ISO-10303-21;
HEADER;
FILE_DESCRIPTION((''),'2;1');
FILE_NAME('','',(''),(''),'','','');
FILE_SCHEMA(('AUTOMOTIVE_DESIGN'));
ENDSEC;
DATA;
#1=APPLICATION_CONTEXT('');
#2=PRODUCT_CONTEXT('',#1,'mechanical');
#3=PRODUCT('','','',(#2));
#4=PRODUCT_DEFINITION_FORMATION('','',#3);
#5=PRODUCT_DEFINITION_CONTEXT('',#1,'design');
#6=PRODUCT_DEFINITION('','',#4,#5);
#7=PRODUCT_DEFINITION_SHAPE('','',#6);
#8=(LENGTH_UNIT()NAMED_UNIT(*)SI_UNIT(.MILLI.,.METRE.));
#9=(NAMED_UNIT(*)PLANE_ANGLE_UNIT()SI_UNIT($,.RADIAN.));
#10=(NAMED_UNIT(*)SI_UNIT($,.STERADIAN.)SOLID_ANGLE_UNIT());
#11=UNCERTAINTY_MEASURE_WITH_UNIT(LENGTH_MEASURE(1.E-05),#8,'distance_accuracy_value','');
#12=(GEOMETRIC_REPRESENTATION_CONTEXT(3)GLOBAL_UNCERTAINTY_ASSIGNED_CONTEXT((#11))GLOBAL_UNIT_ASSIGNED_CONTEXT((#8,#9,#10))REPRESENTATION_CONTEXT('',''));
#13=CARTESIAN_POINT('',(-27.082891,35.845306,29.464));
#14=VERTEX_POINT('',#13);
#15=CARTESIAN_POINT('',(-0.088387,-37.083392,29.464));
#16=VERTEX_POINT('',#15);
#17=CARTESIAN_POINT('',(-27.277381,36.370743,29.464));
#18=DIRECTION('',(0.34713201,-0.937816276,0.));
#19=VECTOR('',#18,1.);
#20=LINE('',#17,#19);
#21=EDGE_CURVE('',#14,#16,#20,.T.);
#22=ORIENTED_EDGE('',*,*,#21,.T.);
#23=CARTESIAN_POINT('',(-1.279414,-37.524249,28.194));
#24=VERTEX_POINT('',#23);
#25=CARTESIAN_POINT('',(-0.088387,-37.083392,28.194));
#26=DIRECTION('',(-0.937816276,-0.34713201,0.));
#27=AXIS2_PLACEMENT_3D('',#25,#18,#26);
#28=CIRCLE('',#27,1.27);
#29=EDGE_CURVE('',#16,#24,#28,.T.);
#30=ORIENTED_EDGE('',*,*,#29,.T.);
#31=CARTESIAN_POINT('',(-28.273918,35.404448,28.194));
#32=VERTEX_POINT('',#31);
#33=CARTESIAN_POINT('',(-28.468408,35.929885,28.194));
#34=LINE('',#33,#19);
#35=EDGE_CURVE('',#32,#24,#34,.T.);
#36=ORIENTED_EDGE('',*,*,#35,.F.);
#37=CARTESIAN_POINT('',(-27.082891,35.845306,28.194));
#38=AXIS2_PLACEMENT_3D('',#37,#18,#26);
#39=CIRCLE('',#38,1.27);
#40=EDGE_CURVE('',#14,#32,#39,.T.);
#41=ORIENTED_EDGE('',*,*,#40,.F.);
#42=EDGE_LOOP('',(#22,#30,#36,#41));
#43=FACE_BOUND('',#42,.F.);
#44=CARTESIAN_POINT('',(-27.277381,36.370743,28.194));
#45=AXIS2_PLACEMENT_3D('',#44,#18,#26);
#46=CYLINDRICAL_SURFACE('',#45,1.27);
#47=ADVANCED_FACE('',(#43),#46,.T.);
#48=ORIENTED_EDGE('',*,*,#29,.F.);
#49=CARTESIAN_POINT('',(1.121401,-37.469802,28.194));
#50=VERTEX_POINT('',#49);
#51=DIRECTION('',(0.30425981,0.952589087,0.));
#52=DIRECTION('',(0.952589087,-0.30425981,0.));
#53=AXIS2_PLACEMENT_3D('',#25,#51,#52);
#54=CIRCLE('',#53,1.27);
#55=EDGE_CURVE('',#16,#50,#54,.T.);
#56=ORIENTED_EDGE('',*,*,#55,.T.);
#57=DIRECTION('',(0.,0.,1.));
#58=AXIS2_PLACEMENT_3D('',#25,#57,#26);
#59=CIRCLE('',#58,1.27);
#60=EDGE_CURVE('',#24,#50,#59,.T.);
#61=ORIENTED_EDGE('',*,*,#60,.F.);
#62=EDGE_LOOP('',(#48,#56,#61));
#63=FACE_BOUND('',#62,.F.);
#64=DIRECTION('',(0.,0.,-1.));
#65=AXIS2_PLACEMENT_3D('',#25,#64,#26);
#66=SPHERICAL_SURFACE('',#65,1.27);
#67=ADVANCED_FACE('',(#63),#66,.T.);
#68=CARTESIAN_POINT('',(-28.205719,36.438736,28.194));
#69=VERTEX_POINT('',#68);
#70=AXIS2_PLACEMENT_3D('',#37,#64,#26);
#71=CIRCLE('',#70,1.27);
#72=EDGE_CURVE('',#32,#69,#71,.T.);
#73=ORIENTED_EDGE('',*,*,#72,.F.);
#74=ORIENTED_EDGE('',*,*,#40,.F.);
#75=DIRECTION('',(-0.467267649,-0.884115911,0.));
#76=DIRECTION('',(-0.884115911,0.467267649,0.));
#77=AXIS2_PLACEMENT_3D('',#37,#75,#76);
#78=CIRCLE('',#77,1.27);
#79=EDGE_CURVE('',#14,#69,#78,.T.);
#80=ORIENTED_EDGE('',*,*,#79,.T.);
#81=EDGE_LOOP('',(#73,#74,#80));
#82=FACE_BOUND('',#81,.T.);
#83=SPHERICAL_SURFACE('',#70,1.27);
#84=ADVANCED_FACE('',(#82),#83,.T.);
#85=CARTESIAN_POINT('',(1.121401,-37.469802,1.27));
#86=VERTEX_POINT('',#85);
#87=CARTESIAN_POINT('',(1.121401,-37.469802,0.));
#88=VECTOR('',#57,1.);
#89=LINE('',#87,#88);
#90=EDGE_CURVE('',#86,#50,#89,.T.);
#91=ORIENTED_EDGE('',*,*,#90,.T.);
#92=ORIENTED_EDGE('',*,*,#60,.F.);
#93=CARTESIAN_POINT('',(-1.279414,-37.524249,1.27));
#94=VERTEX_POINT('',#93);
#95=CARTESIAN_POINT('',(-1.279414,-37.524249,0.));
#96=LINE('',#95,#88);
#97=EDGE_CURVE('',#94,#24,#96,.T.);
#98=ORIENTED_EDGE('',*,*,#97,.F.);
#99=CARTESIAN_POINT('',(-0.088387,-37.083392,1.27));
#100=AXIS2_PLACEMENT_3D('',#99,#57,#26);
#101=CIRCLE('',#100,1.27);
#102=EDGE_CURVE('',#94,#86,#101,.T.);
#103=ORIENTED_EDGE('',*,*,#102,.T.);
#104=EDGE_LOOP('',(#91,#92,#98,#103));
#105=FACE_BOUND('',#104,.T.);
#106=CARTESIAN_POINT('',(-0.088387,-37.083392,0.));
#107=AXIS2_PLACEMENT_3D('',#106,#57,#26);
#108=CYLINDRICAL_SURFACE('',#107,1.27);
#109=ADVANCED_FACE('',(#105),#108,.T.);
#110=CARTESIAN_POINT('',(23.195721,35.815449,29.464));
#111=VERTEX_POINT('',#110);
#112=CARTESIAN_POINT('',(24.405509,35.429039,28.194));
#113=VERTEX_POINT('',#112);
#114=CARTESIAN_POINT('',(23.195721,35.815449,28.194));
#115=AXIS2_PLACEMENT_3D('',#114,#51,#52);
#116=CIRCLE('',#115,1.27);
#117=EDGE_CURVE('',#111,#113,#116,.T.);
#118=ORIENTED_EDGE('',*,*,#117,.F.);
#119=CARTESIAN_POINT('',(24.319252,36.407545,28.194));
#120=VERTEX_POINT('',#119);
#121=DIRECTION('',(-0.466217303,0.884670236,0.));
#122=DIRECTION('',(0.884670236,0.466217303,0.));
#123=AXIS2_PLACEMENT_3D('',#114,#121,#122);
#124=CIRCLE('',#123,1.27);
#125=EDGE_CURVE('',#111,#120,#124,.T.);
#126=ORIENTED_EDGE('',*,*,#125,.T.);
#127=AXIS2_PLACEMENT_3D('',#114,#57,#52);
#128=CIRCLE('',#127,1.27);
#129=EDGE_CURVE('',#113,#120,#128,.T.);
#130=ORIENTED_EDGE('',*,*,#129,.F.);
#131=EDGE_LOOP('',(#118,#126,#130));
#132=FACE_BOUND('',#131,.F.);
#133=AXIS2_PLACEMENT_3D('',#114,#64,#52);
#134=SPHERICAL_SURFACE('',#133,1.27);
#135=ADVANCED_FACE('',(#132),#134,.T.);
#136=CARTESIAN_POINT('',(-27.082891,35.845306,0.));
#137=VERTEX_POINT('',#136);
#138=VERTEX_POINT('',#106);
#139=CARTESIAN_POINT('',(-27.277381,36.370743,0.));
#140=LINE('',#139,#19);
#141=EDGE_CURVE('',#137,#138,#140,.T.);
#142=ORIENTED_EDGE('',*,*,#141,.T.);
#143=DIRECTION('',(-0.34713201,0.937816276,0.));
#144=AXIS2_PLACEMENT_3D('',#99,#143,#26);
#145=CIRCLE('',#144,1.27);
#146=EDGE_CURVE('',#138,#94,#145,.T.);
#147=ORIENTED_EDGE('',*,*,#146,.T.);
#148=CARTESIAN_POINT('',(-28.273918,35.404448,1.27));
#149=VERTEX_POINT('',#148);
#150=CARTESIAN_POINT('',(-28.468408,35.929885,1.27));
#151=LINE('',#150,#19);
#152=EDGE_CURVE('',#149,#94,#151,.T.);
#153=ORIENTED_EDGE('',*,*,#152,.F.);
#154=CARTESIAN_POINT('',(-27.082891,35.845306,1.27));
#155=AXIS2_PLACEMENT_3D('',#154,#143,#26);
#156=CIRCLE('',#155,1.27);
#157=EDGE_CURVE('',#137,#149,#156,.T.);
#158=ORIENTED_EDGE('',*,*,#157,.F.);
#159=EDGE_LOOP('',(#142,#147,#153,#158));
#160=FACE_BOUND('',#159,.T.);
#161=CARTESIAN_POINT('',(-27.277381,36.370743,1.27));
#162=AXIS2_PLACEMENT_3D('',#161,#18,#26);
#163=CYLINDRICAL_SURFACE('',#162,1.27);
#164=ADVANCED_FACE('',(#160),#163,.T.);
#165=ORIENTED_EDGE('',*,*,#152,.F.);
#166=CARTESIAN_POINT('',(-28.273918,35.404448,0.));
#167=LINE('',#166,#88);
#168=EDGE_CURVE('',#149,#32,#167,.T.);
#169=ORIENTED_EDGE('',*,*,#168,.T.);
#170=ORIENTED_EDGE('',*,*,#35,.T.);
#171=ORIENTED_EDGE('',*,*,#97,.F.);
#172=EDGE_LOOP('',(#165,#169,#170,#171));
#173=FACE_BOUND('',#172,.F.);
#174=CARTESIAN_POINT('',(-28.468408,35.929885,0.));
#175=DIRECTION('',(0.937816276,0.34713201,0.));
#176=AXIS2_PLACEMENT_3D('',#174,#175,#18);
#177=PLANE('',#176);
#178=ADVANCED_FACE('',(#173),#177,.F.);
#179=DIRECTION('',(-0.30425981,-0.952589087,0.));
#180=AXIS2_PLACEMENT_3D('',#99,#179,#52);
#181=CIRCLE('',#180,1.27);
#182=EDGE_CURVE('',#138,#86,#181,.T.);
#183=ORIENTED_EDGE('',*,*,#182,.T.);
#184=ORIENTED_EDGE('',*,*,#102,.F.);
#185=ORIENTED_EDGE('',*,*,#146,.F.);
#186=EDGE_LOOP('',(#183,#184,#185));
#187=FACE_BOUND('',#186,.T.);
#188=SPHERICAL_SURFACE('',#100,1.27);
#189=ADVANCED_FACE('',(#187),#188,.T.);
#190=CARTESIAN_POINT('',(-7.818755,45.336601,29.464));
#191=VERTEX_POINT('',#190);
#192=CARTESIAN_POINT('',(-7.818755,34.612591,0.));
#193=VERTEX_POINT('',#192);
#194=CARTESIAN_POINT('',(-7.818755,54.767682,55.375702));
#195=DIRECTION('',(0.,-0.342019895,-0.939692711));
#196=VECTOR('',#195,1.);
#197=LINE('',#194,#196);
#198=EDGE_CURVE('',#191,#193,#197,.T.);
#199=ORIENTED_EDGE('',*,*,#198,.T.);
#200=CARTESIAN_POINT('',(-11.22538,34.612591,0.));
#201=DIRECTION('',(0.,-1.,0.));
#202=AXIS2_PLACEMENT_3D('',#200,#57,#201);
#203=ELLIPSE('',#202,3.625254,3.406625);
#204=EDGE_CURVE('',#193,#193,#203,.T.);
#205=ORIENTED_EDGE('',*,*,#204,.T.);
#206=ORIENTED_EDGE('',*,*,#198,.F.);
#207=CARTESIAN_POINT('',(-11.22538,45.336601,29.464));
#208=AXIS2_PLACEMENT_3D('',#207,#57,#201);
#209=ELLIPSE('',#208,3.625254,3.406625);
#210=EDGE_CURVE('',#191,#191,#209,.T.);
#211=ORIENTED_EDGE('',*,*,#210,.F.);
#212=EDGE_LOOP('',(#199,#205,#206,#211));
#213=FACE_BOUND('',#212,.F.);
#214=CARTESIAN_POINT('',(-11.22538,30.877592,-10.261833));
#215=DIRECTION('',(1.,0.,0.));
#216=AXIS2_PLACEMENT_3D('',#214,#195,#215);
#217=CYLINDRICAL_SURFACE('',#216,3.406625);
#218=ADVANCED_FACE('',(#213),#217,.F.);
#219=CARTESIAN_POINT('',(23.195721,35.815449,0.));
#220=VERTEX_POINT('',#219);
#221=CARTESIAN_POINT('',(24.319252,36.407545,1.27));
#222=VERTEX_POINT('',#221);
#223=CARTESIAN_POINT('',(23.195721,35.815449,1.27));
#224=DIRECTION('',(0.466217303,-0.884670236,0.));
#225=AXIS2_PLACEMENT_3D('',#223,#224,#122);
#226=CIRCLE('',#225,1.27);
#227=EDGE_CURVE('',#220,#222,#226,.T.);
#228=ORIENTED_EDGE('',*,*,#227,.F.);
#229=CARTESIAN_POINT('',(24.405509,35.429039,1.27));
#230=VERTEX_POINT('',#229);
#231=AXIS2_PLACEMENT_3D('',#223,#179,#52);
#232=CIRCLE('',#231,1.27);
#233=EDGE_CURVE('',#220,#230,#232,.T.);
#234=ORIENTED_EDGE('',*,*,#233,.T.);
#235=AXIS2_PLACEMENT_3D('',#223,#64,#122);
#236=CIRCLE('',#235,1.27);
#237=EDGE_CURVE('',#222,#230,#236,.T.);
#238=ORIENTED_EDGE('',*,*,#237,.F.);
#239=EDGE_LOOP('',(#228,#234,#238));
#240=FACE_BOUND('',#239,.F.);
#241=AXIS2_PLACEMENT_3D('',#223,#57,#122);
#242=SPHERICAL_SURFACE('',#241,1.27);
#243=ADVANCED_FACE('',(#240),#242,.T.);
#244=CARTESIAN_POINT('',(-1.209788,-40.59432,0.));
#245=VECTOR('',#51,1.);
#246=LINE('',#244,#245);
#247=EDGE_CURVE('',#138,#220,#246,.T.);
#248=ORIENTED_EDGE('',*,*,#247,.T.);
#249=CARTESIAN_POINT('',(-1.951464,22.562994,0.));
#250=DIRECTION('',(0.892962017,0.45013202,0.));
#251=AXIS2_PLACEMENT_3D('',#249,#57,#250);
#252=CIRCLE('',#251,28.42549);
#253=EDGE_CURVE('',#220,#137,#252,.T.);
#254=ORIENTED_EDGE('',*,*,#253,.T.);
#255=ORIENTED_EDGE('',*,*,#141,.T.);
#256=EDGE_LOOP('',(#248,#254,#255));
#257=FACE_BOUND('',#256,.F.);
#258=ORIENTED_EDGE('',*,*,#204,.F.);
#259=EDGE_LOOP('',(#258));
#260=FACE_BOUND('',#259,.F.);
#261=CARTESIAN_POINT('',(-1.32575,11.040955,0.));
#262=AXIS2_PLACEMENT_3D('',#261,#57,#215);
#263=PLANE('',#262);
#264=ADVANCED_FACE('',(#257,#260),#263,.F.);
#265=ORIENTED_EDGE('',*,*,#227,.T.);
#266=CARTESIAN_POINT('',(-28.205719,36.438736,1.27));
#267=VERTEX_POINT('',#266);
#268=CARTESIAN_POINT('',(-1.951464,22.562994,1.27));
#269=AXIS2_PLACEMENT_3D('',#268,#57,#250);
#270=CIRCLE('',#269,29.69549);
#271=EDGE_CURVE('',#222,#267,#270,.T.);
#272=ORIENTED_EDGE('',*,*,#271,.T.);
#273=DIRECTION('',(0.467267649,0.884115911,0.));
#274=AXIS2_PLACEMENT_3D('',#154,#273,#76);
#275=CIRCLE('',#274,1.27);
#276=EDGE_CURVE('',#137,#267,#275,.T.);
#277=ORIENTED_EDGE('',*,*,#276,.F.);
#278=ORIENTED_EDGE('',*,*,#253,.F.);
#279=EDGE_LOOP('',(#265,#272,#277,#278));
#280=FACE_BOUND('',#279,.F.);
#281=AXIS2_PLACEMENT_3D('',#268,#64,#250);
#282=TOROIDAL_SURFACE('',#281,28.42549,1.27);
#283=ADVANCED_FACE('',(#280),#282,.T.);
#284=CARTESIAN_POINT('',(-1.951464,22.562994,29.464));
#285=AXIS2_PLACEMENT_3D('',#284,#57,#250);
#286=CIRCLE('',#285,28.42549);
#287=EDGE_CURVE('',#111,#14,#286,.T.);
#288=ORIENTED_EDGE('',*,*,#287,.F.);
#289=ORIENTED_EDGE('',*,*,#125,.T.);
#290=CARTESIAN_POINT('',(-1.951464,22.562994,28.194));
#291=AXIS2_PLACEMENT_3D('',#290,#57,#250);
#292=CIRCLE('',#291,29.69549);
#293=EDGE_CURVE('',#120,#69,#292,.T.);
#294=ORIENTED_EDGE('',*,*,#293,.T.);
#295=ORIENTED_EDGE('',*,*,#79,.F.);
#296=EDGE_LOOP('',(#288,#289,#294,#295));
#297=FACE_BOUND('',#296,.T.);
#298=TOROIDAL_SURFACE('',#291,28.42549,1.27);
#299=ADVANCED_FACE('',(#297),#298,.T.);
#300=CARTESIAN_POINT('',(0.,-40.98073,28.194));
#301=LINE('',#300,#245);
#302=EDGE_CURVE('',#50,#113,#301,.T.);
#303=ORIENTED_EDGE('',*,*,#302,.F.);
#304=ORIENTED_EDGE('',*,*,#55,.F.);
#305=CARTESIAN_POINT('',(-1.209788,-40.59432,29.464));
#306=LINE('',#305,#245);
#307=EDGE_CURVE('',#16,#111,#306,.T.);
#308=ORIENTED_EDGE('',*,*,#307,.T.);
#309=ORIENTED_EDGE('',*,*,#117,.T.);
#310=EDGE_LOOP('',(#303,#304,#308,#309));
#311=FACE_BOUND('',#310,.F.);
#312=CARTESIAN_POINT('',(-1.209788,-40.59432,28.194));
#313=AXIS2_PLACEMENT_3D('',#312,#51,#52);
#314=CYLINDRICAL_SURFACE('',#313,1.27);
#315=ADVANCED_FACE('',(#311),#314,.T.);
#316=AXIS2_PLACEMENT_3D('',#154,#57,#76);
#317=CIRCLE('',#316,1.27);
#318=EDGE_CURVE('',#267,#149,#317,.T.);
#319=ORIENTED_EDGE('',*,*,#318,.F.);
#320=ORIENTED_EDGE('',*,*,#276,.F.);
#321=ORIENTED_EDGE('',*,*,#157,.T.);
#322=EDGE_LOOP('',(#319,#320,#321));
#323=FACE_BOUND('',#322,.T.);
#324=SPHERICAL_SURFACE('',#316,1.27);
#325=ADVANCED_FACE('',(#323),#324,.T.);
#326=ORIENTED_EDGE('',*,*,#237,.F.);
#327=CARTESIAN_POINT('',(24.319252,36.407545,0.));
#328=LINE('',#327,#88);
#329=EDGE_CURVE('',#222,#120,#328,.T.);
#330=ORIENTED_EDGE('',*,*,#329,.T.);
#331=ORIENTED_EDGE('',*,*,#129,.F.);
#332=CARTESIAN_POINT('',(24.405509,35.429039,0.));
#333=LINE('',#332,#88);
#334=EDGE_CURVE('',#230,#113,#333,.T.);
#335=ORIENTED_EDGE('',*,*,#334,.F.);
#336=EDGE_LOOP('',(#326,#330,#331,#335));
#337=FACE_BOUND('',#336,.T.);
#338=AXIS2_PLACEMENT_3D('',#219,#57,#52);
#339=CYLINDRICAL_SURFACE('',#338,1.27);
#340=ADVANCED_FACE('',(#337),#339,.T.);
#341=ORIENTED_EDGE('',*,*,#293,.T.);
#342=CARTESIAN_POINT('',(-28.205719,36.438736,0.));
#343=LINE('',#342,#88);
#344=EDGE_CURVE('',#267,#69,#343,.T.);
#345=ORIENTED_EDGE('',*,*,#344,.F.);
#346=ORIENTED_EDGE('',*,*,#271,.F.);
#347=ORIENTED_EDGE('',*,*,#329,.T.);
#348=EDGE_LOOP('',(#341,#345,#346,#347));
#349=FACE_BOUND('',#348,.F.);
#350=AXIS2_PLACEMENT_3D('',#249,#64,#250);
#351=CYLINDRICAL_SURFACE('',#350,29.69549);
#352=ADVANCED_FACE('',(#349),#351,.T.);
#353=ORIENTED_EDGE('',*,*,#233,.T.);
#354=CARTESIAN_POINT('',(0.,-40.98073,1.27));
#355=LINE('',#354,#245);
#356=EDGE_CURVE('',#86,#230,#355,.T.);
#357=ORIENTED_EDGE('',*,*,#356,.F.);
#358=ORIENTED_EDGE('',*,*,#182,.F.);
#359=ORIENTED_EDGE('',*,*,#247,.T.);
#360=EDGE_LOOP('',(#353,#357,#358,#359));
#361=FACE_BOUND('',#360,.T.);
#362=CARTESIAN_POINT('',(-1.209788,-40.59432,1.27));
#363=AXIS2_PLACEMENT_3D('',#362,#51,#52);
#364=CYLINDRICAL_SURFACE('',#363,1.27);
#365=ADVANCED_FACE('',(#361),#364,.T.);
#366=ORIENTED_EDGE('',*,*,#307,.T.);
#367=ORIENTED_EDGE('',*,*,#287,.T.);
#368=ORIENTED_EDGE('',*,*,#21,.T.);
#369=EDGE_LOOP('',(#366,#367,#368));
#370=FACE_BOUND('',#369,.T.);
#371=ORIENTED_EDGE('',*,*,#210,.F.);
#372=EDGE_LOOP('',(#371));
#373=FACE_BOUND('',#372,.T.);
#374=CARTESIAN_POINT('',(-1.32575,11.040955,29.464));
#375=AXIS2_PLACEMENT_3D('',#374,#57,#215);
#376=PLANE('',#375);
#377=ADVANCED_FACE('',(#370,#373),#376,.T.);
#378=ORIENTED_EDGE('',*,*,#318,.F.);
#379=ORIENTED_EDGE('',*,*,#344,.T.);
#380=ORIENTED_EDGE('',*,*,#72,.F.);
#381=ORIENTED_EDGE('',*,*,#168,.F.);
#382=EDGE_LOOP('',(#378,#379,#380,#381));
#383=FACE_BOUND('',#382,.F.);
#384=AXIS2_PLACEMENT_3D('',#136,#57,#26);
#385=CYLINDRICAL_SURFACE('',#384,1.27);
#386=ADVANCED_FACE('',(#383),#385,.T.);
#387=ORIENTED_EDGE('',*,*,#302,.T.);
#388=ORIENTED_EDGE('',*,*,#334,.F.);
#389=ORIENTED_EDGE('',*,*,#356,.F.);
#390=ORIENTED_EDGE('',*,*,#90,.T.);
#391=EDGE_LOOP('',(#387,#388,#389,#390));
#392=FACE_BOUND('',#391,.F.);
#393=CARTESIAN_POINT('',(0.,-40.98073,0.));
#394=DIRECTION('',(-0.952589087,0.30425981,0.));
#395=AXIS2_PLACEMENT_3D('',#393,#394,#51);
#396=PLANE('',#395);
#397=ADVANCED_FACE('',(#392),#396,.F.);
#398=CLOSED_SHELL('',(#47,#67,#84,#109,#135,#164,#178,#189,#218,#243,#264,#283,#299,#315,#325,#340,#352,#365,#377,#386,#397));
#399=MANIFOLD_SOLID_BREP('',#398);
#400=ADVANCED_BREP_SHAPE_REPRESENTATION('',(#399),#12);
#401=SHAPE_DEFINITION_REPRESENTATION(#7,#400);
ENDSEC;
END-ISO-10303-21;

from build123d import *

# Parameters (mm, degrees)
F1_DEPTH = 29.464
F2_R     = 1.27
F5_R     = 3.406625
F6_DEPTH = 69.85


with BuildPart() as f1:
    # F0 (on Top) → F1 (new body)
    with BuildSketch(Plane.XY):
        with BuildLine():
            Line((-28.468408, 35.929885), (0, -40.98073))
            Line((0, -40.98073), (24.565481, 35.929885))
            ThreePointArc((24.565481, 35.929885), (-1.951464, 52.258484), (-28.468408, 35.929885))
        make_face()
    extrude(amount=F1_DEPTH)

    # F2
    f2_edges = [f1.edges().sort_by_distance(p)[0] for p in [
        (0, -40.98073, 14.732),
        (-14.234204, -2.525423, 0),
        (-14.234204, -2.525423, 29.464),
        (12.28274, -2.525423, 0),
        (12.28274, -2.525423, 29.464),
        (-1.951464, 52.258484, 29.464),
        (24.565481, 35.929885, 14.732),
        (-28.468408, 35.929885, 14.732),
        (-1.951464, 52.258484, 0),
    ]]
    fillet(f2_edges, radius=F2_R)

    # F5 (on face) → F6 (cut, symmetric)
    with BuildSketch(Plane(origin=(0, 0.313899, 0.862432), x_dir=(1, 0, 0), z_dir=(0, -0.34202, -0.939693))):
        with Locations((-11.22538, -32.5252)):
            Circle(F5_R)
    extrude(amount=F6_DEPTH, both=True, mode=Mode.SUBTRACT)


solid = f1.part
